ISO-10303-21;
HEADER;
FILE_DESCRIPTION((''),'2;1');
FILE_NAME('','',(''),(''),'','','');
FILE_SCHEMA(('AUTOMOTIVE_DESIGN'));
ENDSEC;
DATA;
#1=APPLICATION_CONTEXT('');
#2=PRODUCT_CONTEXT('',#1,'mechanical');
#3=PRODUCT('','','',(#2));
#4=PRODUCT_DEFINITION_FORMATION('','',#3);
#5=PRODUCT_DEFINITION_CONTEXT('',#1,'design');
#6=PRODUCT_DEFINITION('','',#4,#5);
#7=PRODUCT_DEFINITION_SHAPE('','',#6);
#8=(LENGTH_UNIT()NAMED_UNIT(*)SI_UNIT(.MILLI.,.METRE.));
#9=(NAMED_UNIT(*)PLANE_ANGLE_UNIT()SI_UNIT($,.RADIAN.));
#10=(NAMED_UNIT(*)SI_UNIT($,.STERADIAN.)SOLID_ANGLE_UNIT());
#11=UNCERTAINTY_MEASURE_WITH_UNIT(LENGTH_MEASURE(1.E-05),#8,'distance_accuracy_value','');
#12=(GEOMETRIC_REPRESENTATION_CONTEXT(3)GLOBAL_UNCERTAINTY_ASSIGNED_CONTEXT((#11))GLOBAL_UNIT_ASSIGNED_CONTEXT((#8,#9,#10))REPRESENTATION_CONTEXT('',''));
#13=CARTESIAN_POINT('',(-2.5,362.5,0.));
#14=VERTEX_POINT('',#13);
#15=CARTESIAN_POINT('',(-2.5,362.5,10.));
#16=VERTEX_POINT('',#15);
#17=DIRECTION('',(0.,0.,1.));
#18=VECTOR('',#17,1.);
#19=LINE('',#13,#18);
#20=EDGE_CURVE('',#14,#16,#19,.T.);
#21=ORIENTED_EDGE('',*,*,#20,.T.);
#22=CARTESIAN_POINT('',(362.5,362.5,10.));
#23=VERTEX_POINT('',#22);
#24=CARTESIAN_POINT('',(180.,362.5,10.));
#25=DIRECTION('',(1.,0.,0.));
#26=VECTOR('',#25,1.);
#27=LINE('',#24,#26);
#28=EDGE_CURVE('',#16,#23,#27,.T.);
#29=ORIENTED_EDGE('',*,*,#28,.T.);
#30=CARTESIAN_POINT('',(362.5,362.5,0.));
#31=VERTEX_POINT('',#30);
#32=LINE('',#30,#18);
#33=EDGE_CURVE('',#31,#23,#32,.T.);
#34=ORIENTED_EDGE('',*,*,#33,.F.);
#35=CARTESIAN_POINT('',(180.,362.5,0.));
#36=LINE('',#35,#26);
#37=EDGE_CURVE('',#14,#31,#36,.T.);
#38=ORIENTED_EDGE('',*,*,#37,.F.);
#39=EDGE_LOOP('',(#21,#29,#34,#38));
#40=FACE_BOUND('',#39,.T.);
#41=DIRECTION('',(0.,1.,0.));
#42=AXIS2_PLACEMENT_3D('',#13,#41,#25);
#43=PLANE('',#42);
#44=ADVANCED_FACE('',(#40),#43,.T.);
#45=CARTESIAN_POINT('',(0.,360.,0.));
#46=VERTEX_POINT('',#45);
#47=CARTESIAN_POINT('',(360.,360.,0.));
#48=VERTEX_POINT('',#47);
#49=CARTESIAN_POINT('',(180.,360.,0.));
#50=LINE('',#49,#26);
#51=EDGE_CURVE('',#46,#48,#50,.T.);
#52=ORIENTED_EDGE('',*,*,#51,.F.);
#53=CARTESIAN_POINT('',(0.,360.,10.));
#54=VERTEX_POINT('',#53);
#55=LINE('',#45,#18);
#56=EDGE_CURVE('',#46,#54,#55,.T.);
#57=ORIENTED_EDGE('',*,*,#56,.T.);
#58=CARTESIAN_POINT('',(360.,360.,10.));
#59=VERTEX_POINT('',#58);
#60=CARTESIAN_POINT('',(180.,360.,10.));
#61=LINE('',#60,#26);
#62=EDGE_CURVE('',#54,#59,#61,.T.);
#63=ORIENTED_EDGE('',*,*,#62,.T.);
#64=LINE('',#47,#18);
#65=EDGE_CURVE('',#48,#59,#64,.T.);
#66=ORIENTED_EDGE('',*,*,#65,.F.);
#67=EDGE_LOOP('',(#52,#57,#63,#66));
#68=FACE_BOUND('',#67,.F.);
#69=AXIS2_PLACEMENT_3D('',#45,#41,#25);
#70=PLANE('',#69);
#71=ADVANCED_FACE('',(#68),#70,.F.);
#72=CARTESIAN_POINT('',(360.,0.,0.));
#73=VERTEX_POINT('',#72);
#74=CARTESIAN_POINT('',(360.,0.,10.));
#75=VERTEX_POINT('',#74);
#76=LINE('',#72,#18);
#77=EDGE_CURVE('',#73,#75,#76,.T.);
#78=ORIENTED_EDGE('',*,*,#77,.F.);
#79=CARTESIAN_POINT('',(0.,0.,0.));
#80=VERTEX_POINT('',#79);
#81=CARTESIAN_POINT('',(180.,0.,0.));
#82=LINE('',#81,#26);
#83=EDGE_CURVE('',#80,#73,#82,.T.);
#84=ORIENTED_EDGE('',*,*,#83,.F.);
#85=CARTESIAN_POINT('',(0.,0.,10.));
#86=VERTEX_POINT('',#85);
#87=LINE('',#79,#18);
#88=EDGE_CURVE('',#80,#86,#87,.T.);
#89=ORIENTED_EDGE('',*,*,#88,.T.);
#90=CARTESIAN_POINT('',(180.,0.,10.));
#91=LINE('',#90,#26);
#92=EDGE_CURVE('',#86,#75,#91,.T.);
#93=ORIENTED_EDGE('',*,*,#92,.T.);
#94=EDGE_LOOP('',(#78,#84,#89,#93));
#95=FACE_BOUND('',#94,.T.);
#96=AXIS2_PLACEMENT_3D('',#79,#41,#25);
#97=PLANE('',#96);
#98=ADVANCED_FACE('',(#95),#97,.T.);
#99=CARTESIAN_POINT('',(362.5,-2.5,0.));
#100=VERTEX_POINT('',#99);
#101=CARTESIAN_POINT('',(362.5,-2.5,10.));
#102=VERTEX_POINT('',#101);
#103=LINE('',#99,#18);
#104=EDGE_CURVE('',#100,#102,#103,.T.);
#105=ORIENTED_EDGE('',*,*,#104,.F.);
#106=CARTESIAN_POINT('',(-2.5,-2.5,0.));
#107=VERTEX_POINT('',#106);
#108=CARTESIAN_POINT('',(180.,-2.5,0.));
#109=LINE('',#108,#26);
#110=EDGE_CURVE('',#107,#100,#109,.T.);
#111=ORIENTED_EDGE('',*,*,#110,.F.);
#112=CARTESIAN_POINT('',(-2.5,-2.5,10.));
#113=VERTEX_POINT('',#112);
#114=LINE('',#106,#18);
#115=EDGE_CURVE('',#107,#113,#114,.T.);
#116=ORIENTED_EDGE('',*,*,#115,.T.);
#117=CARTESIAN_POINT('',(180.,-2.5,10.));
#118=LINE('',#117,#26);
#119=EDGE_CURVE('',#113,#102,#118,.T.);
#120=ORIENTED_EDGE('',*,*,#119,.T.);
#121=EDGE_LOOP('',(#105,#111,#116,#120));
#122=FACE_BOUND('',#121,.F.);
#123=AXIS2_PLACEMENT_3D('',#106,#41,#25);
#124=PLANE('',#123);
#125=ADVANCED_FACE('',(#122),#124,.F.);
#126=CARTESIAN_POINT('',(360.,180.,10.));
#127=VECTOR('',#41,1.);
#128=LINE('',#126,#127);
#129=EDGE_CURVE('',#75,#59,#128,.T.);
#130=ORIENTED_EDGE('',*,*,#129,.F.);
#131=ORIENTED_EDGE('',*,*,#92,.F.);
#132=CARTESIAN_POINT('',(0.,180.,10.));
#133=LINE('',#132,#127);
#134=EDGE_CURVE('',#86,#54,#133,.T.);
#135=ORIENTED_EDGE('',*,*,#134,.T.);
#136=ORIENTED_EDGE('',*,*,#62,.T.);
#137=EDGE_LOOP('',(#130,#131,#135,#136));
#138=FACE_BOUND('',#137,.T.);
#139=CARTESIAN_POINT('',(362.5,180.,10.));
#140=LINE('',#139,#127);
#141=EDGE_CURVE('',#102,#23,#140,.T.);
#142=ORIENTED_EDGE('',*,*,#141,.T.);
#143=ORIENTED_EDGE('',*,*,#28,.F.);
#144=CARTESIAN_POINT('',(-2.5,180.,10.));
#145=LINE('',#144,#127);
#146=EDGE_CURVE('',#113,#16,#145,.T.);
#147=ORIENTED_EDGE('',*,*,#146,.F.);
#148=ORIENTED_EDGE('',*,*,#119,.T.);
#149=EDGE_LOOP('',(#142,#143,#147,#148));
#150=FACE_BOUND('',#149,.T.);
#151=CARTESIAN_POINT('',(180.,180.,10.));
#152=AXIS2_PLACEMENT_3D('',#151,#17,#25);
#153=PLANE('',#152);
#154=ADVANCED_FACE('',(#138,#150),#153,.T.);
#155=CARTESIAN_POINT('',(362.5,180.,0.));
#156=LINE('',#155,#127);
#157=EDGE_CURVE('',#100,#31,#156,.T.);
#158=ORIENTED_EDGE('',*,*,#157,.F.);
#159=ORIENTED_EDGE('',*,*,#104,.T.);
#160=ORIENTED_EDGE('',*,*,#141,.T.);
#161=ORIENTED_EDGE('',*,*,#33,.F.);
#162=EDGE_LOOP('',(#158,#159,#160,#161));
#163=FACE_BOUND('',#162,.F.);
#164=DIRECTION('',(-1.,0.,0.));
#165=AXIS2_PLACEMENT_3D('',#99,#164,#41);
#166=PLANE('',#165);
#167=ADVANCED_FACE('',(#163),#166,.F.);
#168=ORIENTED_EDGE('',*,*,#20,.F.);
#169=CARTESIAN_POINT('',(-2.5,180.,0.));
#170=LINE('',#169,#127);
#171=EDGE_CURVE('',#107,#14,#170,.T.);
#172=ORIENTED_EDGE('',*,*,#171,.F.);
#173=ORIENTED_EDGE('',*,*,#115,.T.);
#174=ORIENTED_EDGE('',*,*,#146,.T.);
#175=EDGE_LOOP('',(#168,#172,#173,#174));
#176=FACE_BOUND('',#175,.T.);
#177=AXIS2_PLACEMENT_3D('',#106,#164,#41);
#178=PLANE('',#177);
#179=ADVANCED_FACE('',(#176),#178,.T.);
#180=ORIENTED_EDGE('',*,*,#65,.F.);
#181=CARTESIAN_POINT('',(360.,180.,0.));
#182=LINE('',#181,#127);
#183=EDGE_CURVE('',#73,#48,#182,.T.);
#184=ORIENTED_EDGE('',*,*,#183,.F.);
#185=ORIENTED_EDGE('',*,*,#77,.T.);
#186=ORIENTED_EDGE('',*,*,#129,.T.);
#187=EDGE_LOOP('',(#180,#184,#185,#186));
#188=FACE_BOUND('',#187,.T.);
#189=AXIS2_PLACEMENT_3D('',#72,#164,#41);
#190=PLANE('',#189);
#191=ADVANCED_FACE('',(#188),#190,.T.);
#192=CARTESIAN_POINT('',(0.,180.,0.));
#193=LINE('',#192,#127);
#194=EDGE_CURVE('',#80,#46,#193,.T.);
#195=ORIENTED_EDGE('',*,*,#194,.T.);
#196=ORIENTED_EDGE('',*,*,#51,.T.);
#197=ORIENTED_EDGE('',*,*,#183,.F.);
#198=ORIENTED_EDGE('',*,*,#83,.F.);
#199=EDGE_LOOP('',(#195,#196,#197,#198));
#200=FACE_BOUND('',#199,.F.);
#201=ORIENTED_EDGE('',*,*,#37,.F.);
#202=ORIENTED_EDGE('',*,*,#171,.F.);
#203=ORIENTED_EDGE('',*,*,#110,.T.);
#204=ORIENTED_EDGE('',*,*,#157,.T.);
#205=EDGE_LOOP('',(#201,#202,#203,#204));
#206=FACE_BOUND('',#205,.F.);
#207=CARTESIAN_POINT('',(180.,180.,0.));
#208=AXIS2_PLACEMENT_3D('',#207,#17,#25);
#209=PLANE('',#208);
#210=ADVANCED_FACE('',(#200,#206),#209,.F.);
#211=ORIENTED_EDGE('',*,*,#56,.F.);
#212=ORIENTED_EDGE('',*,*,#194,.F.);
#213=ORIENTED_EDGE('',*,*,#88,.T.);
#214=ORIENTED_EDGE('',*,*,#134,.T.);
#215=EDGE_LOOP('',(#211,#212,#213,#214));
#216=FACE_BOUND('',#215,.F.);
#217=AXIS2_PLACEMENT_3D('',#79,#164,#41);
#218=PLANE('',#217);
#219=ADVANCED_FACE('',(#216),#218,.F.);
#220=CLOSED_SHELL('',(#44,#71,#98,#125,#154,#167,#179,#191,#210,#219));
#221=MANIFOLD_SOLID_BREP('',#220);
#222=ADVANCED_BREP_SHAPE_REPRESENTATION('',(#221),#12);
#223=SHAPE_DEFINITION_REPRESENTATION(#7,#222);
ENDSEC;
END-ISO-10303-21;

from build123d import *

# Parameters (mm, degrees)
BOX065_W     = 360
BOX065_H     = 360
BOX065_DEPTH = 10
BOX064_W     = 365
BOX064_H     = 365
BOX064_DEPTH = 10


with BuildPart() as cube001:
    # Box065 → Box065 (new body)
    with BuildSketch(Plane(origin=(2.5, 2.5, 0), x_dir=(1, 0, 0), z_dir=(0, 0, 1))):
        with Locations((180, 180)):
            Rectangle(BOX065_W, BOX065_H)
    extrude(amount=BOX065_DEPTH)


with BuildPart() as cut:
    # Box064 → Box064 (new body)
    with BuildSketch(Plane.XY):
        with Locations((182.5, 182.5)):
            Rectangle(BOX064_W, BOX064_H)
    extrude(amount=BOX064_DEPTH)

    # Cut: cut Cube001
    add(cube001.part, mode=Mode.SUBTRACT)


with BuildPart() as cut_1:
    # Cut placement: moved
    add(cut.part.moved(Location((-2.5, -2.5, 0))))


solid = cut_1.part
